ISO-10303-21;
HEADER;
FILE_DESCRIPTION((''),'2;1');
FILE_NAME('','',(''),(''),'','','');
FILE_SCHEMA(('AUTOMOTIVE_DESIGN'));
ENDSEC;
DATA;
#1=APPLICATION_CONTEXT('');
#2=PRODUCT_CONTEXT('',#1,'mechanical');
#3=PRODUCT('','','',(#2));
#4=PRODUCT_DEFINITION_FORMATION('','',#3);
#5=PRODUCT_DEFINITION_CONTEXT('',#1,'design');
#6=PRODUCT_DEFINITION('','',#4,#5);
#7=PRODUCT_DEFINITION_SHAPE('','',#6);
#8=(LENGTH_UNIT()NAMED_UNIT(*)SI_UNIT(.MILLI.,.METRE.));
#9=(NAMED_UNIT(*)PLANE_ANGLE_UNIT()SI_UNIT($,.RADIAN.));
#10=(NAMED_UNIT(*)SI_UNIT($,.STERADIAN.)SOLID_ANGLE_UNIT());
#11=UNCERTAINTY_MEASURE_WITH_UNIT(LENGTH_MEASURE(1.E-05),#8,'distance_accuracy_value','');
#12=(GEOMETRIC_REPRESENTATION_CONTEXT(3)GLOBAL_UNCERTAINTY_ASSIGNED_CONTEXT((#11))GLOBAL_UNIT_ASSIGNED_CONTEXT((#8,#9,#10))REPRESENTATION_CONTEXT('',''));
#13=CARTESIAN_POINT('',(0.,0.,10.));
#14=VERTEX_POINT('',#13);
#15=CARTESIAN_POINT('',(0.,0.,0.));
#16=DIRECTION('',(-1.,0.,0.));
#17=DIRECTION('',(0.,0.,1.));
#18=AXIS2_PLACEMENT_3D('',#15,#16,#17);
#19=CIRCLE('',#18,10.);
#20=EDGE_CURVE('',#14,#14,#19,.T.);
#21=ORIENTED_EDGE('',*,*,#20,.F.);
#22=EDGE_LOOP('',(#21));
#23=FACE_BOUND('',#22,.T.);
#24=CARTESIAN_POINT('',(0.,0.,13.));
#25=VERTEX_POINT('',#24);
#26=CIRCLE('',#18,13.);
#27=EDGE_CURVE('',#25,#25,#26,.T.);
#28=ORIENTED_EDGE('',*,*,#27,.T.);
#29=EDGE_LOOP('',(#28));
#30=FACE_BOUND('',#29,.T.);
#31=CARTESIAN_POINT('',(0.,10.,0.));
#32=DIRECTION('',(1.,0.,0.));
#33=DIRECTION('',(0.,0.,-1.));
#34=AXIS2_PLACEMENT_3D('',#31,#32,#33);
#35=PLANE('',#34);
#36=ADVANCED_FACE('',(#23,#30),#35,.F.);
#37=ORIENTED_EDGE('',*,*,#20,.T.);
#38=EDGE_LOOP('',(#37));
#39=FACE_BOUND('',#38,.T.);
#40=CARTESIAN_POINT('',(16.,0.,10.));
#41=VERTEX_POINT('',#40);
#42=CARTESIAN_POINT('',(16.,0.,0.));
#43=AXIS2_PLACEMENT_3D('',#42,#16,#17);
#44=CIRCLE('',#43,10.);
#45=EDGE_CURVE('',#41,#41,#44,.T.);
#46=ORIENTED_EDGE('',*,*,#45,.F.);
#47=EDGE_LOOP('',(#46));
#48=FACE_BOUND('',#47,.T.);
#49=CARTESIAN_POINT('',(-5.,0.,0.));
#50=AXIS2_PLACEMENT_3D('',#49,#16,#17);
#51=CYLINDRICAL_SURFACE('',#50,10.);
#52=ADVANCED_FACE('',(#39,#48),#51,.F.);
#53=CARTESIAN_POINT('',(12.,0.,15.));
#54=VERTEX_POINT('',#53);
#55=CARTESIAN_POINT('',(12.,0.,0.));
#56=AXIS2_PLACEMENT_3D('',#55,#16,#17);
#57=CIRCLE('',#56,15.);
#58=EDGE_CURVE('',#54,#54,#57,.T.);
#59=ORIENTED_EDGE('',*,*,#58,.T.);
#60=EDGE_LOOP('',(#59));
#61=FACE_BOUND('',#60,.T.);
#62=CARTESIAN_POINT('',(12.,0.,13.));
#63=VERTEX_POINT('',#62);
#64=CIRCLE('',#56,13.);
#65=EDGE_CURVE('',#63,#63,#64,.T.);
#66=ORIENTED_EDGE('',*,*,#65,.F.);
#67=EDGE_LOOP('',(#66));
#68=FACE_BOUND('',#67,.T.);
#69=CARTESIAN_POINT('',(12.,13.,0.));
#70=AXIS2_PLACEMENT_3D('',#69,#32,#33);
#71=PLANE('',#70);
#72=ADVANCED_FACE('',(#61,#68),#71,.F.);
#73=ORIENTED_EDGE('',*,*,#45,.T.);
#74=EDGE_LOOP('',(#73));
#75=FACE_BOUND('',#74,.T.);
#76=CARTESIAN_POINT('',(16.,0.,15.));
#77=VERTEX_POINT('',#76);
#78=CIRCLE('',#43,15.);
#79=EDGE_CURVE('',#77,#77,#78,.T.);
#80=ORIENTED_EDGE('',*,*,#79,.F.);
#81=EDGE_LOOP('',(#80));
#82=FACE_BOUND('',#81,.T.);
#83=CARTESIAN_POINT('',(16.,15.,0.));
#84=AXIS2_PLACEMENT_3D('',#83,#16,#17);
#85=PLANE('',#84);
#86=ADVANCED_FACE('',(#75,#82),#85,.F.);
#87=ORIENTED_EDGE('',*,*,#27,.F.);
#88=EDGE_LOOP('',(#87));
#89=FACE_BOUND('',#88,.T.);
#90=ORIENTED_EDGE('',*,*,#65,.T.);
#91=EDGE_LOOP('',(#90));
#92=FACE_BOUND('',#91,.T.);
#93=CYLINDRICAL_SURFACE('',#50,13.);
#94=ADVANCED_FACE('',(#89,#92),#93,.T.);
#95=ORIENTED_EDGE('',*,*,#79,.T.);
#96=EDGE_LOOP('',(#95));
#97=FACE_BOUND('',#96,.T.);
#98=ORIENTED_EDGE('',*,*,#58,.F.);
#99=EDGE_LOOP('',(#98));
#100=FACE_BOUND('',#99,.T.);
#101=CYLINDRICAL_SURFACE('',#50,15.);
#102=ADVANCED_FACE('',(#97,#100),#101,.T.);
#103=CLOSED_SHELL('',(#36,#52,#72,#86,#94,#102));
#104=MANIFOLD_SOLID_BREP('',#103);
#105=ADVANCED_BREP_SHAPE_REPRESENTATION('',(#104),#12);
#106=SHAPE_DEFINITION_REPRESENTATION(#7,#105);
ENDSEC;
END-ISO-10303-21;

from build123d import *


with BuildPart() as part:
    # 草图1 → 01_GLAND (revolve)
    with BuildSketch(Plane.XY, mode=Mode.PRIVATE) as f_01_gland_sk:
        Polygon((0, 10), (0, 13), (12, 13), (12, 15), (16, 15), (16, 10), align=None)
    revolve(f_01_gland_sk.sketch.rotate(Axis((-5, 0, 0), (1, 0, 0)), 90), axis=Axis((-5, 0, 0), (1, 0, 0)))


solid = part.part
